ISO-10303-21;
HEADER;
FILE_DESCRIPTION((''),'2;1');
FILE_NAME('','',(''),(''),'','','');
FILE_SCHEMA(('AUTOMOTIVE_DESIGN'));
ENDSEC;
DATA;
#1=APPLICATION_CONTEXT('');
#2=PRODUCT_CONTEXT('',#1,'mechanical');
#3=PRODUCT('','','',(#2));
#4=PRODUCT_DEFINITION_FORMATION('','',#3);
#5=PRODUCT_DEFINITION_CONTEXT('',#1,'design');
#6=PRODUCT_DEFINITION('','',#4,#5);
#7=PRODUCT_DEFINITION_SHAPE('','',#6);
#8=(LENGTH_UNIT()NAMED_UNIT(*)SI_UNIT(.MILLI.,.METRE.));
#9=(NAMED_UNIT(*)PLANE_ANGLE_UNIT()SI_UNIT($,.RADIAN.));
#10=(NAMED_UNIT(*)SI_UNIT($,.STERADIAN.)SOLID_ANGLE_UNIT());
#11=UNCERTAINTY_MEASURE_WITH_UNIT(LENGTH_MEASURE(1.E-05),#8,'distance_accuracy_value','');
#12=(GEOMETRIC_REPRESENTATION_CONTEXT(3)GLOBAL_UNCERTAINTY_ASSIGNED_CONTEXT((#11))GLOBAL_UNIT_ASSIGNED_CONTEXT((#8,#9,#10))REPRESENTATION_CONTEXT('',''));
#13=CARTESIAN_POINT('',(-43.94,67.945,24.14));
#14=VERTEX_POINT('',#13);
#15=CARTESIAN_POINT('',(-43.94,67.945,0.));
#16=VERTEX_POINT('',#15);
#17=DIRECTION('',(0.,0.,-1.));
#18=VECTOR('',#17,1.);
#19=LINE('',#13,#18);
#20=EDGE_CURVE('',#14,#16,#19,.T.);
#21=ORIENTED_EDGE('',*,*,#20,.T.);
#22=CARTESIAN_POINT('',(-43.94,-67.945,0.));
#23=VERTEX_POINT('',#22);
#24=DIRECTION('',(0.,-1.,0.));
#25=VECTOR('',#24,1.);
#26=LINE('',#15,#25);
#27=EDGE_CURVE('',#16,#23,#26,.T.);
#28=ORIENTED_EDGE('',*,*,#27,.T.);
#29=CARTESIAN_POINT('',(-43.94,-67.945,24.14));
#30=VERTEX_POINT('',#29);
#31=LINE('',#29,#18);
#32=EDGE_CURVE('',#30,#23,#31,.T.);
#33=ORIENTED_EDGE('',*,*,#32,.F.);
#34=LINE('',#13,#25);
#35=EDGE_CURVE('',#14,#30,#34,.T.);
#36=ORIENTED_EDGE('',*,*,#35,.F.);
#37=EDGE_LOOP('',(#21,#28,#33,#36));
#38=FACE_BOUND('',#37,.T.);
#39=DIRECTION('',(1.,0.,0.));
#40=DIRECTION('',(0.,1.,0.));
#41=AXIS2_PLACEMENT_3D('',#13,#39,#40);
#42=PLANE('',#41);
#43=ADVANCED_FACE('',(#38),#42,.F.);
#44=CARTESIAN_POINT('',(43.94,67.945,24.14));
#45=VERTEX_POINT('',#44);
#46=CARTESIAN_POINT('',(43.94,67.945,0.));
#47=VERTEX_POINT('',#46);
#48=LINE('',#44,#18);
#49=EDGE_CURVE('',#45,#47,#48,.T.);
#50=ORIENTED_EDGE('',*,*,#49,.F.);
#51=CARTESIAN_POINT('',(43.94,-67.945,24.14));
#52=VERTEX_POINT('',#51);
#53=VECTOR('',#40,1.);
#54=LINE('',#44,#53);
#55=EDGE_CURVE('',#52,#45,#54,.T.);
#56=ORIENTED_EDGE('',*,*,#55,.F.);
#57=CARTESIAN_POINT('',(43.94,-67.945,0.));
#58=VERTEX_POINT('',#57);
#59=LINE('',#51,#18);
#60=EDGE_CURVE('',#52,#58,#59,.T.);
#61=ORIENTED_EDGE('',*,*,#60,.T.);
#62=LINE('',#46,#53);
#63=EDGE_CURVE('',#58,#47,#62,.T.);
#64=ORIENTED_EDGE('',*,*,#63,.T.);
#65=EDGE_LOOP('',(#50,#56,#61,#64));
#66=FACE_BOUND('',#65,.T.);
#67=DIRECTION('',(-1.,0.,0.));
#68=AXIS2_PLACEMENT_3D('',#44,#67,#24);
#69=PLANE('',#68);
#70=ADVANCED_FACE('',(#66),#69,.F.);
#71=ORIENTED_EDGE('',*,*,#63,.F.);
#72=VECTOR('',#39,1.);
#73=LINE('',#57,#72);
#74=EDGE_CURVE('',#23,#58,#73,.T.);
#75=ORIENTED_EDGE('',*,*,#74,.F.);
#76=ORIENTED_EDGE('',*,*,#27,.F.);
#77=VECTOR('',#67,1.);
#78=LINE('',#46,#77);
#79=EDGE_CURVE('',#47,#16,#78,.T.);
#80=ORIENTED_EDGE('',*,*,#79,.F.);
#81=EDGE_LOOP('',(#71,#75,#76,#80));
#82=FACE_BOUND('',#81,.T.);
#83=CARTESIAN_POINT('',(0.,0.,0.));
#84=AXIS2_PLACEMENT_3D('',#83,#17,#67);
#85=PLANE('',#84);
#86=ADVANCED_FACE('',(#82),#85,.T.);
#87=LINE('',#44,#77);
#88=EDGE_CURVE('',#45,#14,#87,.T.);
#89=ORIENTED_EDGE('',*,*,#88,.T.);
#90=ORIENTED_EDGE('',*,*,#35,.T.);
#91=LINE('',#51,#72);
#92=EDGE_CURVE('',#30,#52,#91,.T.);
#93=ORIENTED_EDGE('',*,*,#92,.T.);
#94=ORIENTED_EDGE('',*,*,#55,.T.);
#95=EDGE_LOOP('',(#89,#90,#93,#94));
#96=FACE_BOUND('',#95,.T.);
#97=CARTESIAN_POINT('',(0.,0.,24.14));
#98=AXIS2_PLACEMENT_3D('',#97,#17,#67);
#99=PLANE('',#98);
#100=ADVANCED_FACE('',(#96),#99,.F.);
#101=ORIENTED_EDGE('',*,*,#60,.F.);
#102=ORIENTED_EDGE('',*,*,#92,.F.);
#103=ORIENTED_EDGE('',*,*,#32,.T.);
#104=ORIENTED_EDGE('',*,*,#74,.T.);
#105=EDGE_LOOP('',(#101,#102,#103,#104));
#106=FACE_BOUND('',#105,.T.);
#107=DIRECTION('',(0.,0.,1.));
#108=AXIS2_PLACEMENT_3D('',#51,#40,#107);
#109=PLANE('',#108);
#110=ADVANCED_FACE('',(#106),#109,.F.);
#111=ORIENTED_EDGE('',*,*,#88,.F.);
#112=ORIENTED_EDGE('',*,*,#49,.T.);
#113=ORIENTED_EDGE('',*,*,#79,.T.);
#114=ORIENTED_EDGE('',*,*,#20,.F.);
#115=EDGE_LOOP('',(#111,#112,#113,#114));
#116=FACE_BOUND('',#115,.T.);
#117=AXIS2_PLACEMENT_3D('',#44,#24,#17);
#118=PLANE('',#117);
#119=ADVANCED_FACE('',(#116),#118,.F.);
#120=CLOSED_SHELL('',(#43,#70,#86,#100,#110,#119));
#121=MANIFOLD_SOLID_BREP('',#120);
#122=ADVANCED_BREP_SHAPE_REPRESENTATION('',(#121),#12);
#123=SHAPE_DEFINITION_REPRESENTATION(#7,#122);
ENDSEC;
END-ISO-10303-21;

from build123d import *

# Parameters (mm, degrees)
ESBO_O1_W                = 87.88
ESBO_O1_H                = 135.89
RESSALTO_EXTRUS_O1_DEPTH = 24.14


with BuildPart() as part:
    # Esboço1 → Ressalto-extrusão1 (new body)
    with BuildSketch(Plane.XY):
        Rectangle(ESBO_O1_W, ESBO_O1_H)
    extrude(amount=RESSALTO_EXTRUS_O1_DEPTH)


solid = part.part
